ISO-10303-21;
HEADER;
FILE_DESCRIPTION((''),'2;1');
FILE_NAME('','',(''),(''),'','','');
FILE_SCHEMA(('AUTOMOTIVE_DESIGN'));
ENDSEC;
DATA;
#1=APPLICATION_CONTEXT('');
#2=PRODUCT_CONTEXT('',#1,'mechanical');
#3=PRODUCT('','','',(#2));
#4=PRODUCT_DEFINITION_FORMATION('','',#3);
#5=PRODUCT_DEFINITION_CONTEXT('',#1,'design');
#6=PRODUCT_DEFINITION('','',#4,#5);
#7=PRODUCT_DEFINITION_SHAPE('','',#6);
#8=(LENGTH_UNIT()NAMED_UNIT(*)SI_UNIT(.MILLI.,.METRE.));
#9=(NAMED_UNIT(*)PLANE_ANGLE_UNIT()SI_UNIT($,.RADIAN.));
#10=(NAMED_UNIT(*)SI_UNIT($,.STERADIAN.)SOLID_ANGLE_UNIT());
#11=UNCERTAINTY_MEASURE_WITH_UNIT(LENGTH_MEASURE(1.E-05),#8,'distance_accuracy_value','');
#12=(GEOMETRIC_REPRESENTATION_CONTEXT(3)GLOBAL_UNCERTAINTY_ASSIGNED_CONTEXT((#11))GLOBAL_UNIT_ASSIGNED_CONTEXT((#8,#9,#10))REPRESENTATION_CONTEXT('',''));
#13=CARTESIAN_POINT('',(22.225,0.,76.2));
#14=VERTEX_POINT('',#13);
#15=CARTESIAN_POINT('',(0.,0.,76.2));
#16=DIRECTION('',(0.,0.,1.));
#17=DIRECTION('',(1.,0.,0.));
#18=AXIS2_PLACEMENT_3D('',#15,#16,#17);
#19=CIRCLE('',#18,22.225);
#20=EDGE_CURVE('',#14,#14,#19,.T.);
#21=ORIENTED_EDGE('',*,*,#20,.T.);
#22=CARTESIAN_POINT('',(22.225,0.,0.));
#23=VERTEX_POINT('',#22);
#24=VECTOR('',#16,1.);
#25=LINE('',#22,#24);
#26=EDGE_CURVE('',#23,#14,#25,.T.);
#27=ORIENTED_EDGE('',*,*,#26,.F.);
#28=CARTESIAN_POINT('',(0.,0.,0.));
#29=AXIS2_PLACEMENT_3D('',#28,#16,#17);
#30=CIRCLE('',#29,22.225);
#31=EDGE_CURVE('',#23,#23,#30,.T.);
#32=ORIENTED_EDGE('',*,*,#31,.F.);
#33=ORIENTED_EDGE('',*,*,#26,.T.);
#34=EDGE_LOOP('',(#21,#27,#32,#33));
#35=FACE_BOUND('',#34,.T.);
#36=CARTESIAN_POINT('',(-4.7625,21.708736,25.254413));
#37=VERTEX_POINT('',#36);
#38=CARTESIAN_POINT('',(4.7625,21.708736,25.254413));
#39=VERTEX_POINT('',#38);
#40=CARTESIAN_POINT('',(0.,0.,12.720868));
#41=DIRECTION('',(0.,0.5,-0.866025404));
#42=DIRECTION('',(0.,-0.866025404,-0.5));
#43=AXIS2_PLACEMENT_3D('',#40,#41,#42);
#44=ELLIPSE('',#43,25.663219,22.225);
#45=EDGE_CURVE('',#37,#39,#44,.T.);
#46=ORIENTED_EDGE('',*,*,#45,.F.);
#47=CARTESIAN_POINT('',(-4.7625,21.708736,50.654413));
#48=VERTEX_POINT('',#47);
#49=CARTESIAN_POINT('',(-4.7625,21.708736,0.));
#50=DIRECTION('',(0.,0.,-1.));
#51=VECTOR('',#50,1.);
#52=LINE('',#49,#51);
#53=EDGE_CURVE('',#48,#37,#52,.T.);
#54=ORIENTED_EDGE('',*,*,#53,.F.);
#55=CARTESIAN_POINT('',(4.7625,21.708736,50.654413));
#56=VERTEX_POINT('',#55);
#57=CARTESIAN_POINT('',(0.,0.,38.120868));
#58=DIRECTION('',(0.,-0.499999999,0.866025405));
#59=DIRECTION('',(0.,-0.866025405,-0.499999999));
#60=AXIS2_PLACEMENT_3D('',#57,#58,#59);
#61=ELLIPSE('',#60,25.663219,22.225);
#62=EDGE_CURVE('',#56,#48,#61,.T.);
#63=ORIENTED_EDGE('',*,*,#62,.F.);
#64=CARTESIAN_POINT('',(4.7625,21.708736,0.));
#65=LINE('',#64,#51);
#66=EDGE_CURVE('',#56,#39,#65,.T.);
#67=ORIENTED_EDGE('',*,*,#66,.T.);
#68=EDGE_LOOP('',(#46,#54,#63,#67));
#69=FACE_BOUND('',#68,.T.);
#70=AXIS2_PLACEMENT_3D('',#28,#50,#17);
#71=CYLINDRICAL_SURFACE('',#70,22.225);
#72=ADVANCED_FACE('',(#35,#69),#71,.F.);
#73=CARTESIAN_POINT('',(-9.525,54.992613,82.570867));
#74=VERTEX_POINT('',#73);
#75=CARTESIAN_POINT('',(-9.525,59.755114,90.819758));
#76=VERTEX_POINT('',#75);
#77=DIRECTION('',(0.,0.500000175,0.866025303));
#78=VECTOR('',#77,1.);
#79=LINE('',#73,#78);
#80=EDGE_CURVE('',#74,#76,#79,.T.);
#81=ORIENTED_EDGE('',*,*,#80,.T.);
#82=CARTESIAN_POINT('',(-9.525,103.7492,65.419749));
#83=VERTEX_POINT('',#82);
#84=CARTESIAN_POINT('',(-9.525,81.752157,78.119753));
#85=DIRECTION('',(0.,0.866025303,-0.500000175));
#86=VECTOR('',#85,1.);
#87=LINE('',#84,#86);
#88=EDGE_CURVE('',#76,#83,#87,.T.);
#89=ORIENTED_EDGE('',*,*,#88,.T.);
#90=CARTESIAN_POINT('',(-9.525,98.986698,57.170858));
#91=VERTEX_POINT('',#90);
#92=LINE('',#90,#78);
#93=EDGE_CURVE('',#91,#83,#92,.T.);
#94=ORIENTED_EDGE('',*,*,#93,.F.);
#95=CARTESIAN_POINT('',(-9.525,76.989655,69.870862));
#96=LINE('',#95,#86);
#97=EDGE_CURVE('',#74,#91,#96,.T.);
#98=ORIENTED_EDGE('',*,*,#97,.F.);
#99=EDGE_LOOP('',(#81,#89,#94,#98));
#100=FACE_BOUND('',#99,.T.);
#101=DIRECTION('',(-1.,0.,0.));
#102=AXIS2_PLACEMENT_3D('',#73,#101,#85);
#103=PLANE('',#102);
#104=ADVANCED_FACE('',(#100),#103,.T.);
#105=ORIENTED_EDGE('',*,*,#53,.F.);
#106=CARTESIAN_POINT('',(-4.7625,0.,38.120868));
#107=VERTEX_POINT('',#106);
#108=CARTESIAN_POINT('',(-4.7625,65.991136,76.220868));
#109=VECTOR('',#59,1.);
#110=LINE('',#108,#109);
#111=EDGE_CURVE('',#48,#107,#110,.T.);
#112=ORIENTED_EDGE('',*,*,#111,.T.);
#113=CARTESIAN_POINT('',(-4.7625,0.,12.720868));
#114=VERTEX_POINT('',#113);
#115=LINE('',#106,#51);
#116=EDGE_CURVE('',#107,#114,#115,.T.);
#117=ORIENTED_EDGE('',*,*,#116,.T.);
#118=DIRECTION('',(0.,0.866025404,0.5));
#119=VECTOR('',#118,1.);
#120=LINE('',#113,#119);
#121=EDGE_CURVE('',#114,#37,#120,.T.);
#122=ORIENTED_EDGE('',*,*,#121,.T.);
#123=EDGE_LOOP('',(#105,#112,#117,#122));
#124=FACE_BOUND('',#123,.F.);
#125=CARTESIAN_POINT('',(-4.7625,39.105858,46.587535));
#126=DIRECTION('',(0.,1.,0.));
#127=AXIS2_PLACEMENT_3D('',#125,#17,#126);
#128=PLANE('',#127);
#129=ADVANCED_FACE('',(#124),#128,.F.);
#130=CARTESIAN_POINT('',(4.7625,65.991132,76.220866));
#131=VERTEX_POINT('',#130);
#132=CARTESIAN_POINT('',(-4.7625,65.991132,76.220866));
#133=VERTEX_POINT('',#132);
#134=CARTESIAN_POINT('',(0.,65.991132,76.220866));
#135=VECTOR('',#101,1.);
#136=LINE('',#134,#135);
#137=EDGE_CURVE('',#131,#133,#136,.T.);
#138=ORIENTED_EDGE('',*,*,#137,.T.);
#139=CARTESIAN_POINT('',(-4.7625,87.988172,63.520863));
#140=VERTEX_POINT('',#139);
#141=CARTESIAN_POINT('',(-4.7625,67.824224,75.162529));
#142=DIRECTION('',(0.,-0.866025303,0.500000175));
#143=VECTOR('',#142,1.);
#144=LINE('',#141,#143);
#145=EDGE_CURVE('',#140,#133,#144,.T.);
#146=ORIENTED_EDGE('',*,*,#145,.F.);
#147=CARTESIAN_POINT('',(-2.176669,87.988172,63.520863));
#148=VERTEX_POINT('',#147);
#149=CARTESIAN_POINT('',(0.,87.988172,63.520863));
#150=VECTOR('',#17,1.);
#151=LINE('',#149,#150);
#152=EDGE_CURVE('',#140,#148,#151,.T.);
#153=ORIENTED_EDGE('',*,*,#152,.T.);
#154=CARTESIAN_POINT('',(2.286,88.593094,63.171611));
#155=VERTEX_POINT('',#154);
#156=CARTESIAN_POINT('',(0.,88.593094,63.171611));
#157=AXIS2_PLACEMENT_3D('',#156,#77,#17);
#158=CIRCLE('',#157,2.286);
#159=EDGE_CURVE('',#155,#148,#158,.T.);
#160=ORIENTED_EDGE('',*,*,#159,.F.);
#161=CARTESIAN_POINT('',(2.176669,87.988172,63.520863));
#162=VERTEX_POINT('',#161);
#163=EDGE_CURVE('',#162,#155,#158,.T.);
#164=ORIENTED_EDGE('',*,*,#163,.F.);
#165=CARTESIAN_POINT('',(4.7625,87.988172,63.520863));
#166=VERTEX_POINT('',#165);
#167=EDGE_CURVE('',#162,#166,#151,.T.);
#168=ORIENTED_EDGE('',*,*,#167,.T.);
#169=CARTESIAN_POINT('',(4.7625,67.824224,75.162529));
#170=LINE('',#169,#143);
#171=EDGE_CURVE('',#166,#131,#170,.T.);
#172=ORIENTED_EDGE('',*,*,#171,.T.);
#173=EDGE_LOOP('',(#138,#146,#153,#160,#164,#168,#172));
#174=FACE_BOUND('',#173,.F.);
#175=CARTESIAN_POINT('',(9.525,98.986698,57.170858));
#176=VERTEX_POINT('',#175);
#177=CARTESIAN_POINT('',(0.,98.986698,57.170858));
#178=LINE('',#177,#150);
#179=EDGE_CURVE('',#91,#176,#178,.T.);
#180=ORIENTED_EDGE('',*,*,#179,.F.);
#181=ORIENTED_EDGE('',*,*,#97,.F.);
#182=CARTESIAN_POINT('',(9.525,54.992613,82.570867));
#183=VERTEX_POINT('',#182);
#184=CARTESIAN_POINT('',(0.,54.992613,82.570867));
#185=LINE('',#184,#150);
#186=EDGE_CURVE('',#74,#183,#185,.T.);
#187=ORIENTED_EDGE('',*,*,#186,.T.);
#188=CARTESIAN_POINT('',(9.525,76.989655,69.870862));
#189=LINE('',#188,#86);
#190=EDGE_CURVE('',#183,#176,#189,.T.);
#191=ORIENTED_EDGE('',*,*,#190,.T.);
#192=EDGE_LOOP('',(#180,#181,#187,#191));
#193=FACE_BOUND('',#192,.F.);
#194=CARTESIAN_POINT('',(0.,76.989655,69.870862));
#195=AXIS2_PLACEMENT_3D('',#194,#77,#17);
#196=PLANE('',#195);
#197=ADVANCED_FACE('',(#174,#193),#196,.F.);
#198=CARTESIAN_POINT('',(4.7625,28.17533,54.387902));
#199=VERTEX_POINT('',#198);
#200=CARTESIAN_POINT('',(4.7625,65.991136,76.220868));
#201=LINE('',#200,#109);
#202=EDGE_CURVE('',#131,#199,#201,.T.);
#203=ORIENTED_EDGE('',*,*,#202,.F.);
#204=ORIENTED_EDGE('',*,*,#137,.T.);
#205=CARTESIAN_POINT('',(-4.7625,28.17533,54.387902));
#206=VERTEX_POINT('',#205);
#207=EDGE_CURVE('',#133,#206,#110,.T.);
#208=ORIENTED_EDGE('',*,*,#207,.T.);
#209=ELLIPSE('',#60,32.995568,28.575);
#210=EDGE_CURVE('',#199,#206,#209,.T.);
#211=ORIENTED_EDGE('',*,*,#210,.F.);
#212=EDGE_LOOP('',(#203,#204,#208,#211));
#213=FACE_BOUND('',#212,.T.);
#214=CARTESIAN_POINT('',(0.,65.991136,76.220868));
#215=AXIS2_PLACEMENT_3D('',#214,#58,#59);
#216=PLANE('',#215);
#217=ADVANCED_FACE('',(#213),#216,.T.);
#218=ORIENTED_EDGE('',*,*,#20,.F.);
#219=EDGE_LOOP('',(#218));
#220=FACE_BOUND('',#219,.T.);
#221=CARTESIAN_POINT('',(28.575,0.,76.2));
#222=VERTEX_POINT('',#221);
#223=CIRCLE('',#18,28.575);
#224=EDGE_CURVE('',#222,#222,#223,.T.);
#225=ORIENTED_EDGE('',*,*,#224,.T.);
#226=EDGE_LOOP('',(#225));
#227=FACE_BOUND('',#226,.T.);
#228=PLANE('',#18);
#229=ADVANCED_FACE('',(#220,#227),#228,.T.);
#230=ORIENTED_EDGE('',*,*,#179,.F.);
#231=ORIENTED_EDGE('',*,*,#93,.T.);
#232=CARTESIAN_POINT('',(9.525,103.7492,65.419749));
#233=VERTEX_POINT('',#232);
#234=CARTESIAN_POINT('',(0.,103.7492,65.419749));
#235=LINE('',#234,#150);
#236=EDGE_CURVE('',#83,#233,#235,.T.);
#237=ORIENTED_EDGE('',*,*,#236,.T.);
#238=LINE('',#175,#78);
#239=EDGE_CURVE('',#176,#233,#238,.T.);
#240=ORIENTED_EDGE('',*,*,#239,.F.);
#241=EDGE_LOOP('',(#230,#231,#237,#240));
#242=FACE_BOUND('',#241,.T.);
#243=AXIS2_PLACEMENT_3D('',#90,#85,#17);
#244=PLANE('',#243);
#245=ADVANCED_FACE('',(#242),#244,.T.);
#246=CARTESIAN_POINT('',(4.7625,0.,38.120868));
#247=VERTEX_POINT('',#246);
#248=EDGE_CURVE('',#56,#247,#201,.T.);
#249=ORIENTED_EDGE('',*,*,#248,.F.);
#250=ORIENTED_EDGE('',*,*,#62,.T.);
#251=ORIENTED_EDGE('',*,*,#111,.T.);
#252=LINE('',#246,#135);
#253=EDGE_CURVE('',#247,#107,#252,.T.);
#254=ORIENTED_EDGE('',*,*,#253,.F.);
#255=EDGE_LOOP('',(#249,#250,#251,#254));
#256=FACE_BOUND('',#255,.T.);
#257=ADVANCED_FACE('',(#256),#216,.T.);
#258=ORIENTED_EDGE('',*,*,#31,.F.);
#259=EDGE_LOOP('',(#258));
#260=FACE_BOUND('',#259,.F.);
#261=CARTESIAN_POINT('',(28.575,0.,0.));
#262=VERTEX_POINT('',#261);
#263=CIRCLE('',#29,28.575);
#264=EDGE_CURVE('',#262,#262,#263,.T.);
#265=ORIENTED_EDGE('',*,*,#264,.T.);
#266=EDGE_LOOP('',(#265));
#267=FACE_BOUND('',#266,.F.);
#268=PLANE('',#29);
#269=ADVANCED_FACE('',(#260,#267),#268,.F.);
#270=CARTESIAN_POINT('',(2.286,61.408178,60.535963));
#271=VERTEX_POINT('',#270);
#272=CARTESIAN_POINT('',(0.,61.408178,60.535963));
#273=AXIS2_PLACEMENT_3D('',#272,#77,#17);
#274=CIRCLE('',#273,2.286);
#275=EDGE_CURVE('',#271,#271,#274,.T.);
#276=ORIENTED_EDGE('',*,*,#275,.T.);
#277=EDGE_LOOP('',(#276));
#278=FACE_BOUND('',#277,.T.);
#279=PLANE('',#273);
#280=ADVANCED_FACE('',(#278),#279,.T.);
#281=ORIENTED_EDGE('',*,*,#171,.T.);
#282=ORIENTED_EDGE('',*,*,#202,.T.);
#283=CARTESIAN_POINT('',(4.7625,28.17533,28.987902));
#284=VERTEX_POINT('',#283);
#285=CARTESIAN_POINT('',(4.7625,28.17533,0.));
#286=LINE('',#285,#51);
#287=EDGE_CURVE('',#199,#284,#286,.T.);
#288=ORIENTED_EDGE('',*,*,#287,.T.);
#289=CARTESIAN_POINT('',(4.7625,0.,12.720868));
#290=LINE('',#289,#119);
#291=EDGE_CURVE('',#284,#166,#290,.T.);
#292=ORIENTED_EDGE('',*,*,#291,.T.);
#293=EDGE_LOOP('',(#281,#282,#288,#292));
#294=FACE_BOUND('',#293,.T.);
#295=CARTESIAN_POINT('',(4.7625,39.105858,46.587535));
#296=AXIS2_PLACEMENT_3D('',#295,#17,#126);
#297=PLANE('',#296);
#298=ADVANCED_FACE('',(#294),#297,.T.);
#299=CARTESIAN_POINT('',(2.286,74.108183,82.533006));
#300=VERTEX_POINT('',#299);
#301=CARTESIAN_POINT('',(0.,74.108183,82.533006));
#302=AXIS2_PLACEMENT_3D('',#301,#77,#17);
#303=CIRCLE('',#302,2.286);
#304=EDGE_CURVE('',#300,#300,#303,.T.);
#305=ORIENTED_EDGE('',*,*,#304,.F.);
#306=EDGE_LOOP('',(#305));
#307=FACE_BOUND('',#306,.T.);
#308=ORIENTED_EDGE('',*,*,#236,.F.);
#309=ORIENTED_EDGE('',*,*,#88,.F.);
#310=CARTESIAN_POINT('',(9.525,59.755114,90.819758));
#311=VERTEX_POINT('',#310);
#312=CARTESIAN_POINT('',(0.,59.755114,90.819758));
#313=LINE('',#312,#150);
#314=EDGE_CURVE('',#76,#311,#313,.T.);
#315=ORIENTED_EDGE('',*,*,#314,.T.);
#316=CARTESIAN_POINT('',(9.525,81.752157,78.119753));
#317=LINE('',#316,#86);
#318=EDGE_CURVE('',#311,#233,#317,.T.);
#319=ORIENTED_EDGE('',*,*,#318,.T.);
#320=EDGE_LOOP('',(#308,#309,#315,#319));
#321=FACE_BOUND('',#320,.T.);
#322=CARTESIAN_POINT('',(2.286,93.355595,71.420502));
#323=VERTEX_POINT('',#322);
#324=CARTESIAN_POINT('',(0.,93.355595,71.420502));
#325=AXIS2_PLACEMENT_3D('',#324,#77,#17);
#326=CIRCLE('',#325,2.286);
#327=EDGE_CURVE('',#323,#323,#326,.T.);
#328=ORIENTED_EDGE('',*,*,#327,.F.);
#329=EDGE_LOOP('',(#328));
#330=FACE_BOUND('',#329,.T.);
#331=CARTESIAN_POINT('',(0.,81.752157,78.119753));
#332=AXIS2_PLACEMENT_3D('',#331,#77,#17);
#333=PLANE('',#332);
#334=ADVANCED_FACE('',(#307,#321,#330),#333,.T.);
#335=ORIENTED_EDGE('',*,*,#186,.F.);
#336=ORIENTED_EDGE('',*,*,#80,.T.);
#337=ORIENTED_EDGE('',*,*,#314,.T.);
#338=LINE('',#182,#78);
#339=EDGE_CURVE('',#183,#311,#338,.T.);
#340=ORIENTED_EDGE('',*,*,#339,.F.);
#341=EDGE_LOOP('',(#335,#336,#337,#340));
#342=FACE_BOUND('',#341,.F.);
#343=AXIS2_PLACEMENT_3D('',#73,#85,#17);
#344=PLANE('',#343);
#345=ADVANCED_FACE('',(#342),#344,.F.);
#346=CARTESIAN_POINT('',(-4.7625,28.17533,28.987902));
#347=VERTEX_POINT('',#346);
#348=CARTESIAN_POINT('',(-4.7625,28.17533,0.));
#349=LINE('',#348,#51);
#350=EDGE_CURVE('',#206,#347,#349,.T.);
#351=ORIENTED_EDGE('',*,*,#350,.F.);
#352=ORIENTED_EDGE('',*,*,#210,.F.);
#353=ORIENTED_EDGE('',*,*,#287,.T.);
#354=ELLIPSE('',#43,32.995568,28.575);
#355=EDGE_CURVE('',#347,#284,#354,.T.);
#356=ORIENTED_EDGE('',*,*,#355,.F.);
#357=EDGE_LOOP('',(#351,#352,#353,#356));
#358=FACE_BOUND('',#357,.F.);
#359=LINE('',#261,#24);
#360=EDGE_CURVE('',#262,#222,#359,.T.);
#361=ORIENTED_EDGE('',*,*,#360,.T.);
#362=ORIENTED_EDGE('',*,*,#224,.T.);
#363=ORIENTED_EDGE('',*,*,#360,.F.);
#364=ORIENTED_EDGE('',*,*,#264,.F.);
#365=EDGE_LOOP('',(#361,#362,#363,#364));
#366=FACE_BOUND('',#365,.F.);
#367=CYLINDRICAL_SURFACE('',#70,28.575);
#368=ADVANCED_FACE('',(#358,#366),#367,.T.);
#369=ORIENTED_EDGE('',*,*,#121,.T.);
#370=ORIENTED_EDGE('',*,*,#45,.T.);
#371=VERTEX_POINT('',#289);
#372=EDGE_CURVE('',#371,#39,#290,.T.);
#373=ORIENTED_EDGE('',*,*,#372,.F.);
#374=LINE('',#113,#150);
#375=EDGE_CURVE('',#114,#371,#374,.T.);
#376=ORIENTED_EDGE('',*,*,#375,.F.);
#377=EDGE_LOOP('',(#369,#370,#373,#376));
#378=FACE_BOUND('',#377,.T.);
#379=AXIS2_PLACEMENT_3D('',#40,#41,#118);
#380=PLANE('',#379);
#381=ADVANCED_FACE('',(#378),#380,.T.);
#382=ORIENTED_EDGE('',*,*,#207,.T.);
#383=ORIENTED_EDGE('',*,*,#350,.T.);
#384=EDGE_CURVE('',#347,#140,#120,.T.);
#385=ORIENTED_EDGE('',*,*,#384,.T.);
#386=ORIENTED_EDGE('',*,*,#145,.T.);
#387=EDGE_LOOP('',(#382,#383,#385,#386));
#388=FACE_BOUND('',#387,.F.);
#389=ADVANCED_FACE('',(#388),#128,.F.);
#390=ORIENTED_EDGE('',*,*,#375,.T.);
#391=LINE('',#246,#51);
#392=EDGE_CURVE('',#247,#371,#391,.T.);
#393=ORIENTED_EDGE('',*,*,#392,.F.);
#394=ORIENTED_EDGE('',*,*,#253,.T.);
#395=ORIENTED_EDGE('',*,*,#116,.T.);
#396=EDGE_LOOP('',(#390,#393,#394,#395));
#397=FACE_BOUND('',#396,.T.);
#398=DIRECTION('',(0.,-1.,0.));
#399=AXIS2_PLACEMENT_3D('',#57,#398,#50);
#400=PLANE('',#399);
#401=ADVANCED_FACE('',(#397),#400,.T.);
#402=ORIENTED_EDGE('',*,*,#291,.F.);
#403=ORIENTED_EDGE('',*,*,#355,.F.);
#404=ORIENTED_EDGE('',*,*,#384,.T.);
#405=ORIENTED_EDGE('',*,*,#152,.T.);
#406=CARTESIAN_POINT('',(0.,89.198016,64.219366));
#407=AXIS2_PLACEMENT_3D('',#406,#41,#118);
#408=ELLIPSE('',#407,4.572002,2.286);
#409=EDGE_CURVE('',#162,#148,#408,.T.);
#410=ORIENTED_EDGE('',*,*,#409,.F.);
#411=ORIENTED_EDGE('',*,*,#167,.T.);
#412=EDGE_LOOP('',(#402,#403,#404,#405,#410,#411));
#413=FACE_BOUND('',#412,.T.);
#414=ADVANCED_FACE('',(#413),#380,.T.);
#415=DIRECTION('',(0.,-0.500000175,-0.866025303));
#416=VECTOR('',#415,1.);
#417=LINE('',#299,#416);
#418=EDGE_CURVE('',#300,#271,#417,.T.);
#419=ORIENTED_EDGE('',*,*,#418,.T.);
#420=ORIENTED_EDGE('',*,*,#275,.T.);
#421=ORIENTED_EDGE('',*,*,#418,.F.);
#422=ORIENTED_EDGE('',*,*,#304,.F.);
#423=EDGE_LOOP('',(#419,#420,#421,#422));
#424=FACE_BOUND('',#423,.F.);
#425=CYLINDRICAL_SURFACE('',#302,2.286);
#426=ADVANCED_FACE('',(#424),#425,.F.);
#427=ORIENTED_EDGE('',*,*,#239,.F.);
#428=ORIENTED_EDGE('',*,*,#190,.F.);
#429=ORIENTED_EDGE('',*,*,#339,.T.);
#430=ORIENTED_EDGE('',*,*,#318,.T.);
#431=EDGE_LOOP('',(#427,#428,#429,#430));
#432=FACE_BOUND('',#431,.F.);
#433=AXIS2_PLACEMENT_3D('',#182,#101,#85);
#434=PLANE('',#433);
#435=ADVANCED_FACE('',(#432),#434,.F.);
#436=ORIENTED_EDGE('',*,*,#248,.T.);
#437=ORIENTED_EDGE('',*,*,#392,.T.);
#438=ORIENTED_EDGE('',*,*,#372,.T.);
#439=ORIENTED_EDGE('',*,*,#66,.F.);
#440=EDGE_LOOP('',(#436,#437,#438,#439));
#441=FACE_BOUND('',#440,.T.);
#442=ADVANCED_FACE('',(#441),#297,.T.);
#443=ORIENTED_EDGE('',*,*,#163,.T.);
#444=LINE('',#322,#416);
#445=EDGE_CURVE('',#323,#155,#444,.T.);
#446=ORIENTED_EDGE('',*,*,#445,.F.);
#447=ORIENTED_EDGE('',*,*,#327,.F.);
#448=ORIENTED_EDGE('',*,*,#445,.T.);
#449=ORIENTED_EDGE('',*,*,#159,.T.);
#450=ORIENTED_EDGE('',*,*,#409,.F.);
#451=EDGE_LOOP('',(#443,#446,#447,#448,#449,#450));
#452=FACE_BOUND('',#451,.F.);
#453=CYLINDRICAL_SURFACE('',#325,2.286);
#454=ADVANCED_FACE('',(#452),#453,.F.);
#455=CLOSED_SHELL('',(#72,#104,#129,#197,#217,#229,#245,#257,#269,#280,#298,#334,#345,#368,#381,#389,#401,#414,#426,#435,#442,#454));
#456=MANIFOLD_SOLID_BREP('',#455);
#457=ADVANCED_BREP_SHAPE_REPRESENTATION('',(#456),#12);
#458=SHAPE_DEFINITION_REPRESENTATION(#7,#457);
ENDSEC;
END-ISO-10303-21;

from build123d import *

# Parameters (mm, degrees)
F0_R     = 28.575
F0_R_2   = 22.225
F1_DEPTH = 76.2
F3_DEPTH = 4.7625
F4_W     = 19.05
F4_H     = 50.8
F5_DEPTH = 9.525
F6_R     = 2.286
F7_DEPTH = 25.4


with BuildPart() as f1:
    # F0 (on Top) → F1 (new body)
    with BuildSketch(Plane.XY):
        Circle(F0_R)
        Circle(F0_R_2, mode=Mode.SUBTRACT)
    extrude(amount=F1_DEPTH)

    # F2 (on Right) → F3 (join, symmetric)
    with BuildSketch(Plane.YZ):
        Polygon((0, 38.120868), (0, 12.720868), (87.988181, 63.520868), (65.991136, 76.220868), align=None)
    extrude(amount=F3_DEPTH, both=True)

    # F4 (on face) → F5 (join)
    with BuildSketch(Plane(origin=(0, 49.502388, 85.740651), x_dir=(1, 0, 0), z_dir=(0, 0.5, 0.866025))):
        with Locations((0, 31.739566)):
            Rectangle(F4_W, F4_H)
    extrude(amount=F5_DEPTH)

    # F6 (on face) → F7 (cut)
    with BuildSketch(Plane(origin=(0, 54.264888, 93.989543), x_dir=(1, 0, 0), z_dir=(0, 0.5, 0.866025))):
        with Locations((0, 22.913066)):
            Circle(F6_R)
        with Locations((0, 45.138066)):
            Circle(F6_R)
    extrude(amount=-F7_DEPTH, mode=Mode.SUBTRACT)


solid = f1.part
